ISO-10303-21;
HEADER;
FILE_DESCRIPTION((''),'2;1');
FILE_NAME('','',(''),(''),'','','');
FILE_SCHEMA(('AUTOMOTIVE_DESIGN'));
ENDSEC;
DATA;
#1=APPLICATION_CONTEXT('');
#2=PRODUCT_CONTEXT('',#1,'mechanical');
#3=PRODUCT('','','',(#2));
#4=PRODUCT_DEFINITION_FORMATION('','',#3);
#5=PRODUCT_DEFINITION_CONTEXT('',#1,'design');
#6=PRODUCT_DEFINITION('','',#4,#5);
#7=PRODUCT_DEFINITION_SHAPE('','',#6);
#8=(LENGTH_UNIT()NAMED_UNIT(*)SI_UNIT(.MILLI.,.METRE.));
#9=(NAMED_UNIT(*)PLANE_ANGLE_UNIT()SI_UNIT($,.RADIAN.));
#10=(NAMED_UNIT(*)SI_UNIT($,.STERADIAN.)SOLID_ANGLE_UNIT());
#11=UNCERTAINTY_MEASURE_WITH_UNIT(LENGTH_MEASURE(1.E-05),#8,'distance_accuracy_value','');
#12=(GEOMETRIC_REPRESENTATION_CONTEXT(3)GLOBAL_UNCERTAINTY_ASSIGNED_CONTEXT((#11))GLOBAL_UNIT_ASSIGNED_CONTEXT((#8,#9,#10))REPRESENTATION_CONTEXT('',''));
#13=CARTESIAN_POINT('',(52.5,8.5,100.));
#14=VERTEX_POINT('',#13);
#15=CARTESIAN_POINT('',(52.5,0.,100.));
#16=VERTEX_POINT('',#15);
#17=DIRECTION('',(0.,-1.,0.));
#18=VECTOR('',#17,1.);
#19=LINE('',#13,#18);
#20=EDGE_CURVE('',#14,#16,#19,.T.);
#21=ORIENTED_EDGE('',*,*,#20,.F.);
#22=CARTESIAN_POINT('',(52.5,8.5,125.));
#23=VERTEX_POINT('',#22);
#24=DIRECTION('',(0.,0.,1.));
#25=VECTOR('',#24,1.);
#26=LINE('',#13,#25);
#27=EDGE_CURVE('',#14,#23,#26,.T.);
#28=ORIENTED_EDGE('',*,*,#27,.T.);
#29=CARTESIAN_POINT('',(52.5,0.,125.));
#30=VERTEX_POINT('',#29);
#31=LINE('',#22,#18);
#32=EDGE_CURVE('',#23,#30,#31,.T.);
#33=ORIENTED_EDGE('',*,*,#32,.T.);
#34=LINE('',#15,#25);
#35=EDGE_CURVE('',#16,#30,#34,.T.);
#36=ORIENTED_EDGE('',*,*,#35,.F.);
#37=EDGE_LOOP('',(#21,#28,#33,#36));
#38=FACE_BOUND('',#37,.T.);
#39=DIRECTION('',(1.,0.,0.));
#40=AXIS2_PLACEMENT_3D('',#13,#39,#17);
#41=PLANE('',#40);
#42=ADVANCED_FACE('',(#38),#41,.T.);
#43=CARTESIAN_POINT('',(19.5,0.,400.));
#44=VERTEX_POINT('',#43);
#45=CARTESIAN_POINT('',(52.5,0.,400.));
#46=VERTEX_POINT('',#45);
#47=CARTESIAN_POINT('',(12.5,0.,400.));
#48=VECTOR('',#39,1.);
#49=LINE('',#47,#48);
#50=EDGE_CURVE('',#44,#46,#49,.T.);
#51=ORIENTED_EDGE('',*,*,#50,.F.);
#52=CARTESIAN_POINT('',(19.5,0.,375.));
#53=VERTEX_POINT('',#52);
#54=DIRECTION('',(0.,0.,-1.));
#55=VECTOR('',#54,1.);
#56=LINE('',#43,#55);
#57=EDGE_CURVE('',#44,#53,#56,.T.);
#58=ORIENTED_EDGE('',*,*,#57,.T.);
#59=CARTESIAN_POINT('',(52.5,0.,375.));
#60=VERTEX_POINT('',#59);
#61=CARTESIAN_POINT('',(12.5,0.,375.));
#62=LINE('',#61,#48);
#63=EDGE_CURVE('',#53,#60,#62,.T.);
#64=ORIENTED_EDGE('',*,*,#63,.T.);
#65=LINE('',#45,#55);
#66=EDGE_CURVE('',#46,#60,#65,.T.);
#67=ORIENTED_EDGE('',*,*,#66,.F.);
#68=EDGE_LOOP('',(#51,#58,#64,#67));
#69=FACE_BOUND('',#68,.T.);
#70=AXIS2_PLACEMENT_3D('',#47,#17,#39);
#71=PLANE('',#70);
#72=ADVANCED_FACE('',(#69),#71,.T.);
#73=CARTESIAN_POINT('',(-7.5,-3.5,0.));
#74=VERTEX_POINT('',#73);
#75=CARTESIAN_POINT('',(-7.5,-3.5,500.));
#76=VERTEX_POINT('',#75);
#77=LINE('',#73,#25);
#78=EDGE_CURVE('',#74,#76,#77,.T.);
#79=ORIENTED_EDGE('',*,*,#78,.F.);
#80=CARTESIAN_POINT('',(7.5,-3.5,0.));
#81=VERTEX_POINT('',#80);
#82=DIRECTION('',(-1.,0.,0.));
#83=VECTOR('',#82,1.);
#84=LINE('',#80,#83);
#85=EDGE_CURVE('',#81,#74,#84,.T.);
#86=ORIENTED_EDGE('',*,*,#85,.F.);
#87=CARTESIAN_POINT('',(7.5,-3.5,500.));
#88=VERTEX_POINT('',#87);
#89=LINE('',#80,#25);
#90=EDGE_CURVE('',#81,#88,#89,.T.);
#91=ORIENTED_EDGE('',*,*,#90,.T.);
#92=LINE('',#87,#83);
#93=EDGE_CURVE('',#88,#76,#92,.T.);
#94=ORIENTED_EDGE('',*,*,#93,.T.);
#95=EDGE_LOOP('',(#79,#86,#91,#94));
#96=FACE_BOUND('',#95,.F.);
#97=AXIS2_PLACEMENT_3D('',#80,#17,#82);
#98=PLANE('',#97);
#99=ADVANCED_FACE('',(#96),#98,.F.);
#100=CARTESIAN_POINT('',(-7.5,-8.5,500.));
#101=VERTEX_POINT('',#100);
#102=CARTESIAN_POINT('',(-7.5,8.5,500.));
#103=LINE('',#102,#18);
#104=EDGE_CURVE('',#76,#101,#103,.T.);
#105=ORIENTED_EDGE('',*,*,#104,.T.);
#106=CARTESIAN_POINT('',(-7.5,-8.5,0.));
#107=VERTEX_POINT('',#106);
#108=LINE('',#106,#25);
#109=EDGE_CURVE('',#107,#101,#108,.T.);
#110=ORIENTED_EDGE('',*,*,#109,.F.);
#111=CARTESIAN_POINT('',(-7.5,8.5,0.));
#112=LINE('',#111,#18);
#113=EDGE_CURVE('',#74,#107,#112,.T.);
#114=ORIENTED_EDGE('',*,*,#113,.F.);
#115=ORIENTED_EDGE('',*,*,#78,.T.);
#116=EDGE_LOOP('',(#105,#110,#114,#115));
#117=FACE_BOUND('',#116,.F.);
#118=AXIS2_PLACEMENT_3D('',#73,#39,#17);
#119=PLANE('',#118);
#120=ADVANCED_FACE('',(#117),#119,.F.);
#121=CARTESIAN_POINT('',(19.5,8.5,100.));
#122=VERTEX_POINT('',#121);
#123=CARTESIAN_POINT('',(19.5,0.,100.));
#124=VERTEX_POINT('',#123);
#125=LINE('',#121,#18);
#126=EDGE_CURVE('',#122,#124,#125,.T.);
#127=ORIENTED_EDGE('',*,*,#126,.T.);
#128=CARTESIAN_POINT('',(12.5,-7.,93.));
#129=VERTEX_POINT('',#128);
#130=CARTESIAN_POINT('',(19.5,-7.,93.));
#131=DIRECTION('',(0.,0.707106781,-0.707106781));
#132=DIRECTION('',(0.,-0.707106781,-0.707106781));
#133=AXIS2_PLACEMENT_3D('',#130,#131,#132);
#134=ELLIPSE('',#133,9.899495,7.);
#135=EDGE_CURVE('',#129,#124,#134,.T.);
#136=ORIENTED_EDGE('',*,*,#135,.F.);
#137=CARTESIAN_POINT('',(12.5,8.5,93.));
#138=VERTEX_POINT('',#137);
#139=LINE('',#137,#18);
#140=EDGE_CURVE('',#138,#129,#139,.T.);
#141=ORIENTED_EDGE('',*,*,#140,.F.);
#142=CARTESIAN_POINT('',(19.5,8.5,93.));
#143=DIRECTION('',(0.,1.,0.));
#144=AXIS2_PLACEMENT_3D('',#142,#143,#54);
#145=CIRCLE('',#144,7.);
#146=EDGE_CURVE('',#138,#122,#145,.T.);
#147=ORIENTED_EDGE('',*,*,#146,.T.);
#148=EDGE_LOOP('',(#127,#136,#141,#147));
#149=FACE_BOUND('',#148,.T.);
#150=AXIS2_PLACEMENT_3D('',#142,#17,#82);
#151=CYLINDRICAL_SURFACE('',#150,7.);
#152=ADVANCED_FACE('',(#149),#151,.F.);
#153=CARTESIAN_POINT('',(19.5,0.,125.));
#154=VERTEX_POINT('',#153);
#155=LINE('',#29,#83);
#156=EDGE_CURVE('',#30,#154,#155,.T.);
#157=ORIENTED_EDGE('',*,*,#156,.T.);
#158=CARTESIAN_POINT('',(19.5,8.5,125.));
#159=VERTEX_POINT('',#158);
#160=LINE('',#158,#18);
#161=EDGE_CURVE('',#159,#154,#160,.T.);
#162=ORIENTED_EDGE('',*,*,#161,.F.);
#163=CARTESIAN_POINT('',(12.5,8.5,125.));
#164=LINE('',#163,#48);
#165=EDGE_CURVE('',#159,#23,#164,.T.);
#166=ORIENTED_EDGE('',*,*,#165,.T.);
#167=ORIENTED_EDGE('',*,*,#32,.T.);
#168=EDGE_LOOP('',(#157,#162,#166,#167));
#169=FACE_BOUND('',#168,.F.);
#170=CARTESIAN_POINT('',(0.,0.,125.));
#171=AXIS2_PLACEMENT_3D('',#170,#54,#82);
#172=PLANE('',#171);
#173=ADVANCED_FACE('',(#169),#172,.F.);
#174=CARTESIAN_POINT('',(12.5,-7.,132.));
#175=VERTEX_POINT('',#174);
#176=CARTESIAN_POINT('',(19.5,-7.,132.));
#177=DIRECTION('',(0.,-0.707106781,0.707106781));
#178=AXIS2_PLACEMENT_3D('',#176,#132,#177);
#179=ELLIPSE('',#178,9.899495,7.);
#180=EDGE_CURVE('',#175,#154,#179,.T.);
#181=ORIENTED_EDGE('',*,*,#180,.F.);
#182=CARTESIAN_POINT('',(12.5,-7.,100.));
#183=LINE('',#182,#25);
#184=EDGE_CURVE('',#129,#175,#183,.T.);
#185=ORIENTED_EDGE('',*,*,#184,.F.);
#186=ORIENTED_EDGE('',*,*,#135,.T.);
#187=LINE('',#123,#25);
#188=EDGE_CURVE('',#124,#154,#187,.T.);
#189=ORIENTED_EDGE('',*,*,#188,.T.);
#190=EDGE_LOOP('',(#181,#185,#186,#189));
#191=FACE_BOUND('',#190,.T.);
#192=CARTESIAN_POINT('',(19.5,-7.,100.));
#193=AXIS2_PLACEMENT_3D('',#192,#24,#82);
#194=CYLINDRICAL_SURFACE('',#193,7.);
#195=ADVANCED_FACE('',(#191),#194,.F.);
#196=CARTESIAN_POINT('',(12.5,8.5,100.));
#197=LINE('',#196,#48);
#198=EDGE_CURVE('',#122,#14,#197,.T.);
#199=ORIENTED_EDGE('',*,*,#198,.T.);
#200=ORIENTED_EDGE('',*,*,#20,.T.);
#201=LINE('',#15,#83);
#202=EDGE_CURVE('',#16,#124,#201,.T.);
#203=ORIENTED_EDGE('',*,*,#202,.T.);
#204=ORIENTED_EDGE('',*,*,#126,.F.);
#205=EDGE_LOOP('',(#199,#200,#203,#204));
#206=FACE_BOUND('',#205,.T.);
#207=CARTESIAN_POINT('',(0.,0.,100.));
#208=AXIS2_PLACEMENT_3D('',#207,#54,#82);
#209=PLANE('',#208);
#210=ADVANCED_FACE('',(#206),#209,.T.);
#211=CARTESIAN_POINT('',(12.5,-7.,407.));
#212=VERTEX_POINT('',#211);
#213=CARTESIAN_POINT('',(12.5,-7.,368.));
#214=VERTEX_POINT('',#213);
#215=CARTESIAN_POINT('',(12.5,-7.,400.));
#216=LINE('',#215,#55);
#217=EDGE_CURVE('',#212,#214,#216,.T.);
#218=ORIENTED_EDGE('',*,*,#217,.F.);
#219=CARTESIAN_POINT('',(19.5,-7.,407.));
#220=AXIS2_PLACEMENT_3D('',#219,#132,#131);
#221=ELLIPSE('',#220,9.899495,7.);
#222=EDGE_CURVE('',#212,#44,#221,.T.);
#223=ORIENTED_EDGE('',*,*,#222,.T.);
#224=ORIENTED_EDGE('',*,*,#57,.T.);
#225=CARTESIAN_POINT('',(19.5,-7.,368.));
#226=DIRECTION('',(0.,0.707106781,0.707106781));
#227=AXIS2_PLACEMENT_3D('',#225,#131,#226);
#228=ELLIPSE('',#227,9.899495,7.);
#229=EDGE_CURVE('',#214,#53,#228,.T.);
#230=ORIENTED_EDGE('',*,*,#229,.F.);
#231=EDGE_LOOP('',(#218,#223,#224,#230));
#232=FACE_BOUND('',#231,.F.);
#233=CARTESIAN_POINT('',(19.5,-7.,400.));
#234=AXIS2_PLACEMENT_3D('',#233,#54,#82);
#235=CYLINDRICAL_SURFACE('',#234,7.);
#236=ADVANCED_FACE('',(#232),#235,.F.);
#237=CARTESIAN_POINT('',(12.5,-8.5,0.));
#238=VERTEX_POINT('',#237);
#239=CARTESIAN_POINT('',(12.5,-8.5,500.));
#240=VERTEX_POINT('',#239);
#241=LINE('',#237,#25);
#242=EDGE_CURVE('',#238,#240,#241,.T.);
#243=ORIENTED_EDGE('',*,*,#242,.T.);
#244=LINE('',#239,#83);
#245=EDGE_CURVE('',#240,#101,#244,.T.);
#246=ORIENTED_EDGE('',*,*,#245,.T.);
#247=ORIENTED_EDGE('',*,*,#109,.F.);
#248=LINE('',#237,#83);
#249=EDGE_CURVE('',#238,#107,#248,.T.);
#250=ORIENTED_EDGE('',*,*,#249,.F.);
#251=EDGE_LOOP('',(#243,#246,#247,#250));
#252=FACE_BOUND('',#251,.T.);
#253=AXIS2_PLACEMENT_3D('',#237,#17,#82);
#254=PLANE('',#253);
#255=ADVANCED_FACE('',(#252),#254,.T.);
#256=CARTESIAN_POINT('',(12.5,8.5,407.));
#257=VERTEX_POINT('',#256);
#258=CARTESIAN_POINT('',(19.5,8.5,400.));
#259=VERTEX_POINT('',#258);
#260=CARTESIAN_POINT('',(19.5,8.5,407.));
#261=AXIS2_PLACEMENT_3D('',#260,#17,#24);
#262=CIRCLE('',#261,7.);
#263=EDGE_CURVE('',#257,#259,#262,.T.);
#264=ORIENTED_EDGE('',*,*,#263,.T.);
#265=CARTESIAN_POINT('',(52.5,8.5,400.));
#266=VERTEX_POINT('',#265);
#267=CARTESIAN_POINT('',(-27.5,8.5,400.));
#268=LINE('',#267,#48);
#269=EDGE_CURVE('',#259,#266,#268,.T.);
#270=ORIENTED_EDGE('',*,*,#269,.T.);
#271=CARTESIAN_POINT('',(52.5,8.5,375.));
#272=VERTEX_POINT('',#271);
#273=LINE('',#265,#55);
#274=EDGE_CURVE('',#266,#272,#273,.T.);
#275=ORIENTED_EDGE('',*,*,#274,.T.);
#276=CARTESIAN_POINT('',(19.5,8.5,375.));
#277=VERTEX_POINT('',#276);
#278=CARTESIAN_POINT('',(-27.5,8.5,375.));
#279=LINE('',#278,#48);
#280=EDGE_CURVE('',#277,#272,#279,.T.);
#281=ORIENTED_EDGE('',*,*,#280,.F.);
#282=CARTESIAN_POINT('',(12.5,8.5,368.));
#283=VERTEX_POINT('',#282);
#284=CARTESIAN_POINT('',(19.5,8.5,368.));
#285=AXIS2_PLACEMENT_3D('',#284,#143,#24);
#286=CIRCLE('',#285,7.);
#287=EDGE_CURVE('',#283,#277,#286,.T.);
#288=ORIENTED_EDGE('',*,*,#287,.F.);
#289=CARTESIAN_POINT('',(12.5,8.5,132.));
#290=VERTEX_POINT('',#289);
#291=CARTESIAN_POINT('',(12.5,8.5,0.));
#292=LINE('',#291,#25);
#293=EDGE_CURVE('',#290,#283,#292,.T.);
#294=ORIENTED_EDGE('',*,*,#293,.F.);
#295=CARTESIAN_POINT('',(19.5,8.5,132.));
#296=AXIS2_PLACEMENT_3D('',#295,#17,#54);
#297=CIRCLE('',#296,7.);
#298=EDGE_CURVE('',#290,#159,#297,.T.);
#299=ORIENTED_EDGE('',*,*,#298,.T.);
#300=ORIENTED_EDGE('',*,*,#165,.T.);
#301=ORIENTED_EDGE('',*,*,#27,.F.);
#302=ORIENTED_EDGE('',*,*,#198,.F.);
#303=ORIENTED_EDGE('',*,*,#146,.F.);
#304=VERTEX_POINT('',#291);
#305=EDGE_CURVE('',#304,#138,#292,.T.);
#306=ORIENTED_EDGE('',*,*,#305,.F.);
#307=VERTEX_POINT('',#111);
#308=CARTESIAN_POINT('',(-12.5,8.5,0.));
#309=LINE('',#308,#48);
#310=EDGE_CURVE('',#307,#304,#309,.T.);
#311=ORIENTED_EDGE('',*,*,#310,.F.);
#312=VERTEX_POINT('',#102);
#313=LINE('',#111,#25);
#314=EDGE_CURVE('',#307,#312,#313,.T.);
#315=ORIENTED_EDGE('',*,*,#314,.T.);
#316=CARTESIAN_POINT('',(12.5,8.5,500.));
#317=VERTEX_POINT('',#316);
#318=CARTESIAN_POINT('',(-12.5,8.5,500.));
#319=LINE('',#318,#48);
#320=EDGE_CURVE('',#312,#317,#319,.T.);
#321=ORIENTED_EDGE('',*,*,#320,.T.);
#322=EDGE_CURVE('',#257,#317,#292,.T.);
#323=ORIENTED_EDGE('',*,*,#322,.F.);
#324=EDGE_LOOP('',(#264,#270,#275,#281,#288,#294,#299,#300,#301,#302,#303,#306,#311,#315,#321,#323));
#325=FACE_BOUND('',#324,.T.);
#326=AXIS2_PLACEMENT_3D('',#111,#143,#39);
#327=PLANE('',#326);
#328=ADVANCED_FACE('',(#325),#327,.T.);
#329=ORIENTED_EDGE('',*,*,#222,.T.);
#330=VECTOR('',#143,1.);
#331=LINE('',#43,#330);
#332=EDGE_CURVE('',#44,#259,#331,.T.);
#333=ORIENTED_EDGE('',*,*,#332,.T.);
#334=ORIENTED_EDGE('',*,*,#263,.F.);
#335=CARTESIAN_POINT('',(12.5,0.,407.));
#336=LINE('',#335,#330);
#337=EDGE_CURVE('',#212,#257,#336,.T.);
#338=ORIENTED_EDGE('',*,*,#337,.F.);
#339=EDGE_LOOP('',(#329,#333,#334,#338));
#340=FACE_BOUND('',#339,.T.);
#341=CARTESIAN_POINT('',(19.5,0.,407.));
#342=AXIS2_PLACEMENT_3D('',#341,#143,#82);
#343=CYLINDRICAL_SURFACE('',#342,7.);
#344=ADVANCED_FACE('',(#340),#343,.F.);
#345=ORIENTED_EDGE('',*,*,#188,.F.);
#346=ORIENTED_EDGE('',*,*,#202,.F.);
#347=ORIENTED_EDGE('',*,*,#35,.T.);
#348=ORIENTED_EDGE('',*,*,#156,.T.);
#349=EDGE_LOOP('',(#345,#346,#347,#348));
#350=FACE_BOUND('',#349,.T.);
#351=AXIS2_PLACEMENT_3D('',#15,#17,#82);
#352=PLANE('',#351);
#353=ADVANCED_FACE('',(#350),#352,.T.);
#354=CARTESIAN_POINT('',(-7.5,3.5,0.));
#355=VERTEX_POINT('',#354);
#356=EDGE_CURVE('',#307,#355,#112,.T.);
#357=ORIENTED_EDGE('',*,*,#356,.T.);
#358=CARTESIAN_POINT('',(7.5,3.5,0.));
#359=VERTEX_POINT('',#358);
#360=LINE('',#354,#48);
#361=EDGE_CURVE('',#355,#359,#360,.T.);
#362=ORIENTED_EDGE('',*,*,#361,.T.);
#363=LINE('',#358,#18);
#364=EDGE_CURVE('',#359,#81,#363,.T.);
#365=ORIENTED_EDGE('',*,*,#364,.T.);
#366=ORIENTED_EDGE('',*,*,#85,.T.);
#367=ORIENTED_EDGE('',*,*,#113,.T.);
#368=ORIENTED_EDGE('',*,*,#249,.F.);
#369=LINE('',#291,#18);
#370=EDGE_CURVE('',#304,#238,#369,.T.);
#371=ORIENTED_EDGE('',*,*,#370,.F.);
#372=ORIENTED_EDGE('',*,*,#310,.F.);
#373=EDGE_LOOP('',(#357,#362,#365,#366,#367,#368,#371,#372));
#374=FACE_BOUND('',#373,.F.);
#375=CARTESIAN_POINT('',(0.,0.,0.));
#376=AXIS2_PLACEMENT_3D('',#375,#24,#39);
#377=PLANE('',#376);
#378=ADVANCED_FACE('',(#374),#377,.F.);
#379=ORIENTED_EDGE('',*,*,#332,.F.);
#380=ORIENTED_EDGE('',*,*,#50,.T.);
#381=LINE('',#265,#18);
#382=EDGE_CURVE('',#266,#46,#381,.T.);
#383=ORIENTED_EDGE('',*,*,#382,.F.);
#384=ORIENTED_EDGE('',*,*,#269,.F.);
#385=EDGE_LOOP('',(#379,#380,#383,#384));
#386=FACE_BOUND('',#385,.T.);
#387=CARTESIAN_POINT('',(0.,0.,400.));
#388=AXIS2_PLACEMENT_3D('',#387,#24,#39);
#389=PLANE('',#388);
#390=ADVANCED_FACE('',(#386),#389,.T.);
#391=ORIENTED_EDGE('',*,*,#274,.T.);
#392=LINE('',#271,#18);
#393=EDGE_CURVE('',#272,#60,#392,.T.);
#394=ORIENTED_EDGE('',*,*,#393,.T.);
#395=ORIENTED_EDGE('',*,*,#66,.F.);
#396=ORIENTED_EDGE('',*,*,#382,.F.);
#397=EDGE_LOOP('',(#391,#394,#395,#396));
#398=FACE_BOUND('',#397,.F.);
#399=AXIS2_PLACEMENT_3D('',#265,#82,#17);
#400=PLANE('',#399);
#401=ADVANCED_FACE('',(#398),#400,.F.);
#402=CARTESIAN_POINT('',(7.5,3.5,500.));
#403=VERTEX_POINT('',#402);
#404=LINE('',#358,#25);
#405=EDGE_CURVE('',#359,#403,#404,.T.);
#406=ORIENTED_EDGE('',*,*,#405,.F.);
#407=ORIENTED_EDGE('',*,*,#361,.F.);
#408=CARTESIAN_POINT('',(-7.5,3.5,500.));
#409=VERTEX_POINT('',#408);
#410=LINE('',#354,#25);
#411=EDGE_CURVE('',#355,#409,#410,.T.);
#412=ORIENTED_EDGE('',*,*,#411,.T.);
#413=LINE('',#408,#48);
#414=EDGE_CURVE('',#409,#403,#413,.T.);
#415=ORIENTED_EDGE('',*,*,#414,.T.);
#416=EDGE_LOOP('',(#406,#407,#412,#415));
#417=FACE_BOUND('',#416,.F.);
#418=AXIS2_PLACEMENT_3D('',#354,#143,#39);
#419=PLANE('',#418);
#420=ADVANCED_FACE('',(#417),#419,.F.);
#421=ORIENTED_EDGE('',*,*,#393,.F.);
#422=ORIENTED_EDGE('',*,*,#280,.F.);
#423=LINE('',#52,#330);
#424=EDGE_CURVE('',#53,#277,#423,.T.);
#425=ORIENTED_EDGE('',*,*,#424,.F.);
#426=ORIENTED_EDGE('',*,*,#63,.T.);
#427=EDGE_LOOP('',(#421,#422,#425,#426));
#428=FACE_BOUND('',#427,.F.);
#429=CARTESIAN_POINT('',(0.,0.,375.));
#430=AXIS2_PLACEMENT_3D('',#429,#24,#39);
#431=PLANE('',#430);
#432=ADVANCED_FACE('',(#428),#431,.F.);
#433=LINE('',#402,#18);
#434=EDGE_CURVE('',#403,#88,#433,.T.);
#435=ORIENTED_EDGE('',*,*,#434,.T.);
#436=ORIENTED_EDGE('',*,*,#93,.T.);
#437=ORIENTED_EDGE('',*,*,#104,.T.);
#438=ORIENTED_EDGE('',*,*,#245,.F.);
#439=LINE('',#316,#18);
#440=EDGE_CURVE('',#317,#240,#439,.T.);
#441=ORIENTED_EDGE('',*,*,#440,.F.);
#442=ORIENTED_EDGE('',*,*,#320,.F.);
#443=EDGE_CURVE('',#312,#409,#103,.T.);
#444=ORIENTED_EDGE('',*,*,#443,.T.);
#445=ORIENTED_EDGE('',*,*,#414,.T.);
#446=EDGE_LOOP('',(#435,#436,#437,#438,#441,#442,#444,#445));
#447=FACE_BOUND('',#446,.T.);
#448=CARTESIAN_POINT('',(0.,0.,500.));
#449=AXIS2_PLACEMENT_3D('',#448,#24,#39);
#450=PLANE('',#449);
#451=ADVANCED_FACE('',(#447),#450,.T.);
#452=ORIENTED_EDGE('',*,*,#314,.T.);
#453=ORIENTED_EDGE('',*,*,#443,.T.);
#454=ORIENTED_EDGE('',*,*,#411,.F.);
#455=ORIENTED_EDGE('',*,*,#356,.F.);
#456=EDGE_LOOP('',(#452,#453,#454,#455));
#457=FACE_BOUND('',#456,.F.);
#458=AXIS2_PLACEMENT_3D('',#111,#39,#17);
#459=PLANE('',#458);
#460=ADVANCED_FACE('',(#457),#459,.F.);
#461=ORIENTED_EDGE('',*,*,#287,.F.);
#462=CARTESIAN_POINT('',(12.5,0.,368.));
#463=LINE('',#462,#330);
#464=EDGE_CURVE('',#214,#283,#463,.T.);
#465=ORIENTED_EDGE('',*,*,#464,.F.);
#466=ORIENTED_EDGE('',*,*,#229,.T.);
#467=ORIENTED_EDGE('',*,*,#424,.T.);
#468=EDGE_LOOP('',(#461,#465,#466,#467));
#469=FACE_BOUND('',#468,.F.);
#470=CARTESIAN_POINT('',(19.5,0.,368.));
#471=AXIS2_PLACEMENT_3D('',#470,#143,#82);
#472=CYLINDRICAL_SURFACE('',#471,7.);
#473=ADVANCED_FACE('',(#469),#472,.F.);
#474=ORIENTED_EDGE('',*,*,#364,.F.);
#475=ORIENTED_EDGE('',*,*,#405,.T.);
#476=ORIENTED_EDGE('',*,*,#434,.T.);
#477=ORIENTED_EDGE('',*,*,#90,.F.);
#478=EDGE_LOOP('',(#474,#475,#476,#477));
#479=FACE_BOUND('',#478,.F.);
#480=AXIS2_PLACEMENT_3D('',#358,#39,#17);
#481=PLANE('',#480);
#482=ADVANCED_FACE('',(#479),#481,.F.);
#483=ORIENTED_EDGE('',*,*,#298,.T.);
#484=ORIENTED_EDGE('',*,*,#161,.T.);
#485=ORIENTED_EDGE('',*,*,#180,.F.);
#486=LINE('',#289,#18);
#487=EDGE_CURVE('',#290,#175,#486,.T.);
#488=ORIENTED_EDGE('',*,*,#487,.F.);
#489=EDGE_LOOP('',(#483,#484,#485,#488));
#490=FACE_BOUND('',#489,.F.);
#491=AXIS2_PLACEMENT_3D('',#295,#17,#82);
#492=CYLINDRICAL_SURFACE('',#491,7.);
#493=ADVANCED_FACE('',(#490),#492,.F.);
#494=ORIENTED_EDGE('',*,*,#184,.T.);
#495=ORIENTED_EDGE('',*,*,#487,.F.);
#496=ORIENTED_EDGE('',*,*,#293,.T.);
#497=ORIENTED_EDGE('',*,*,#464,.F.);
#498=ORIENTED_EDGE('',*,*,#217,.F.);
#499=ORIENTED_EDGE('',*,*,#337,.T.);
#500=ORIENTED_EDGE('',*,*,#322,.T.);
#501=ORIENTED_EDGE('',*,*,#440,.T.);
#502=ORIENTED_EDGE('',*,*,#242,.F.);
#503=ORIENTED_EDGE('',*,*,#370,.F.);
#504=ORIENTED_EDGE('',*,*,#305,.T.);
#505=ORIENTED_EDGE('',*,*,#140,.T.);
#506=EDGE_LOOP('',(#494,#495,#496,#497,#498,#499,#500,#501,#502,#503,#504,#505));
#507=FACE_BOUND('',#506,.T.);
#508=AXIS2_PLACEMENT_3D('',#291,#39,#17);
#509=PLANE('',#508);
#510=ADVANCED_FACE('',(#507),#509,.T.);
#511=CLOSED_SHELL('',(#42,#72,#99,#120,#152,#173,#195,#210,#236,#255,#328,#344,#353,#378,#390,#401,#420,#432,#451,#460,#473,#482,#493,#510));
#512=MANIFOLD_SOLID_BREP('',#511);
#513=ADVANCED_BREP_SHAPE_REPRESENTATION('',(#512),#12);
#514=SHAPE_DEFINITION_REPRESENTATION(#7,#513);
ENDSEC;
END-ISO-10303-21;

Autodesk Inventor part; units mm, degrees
ref_plane "YZ Plane" through (0, 0, 0) normal (1, 0, 0) x (0, 1, 0)
sketch "Sketch1" plane through (0, 0, 0) normal (0, 0, 1) x (1, 0, 0)
  line L0 (-7.5, 3.5) -> (7.5, 3.5)
  line L1 (7.5, 3.5) -> (7.5, -3.5)
  line L2 (7.5, -3.5) -> (-7.5, -3.5)
  line L3 (-7.5, -3.5) -> (-7.5, 3.5)
  line L4 (-7.5, 3.5) -> (7.5, -3.5) construction
  line L5 (7.5, 3.5) -> (-7.5, -3.5) construction
  line L6 (-12.5, 8.5) -> (12.5, 8.5)
  line L7 (12.5, 8.5) -> (12.5, -8.5)
  line L8 (12.5, -8.5) -> (-12.5, -8.5)
  line L9 (-12.5, -8.5) -> (-12.5, 8.5)
  line L10 (-12.5, 8.5) -> (12.5, -8.5) construction
  line L11 (12.5, 8.5) -> (-12.5, -8.5) construction
  line L12 (-7.5, 8.5) -> (-7.5, -8.5)
  point P0 (0, 0)
  dimension "d0" = 15
  dimension "d1" = 7
  dimension "d2" = 25
  dimension "d3" = 17
extrude "Extrusion1" add sketch "Sketch1" along normal blind 500 contours L12 L6 L7 L8 L2 L1 L0
ref_plane "Work Plane1" through (0, 0, 400) normal (0, 0, 1) x (1, 0, 0)
sketch "Sketch2" plane through (0, 0, 400) normal (0, 0, 1) x (1, 0, 0)
  line L0 (-27.5, 8.5) -> (52.5, 8.5)
  line L1 (52.5, 8.5) -> (52.5, -8.5)
  line L2 (52.5, -8.5) -> (-27.5, -8.5)
  line L3 (-27.5, -8.5) -> (-27.5, 8.5)
  line L4 (12.5, -8.5) -> (12.5, 8.5) projected
  line L5 (-27.5, 8.5) -> (52.5, -8.5) construction
  line L6 (52.5, 8.5) -> (-27.5, -8.5) construction
  line L7 (12.5, 0) -> (52.5, 0)
  line L8 (52.5, 0) -> (52.5, 8.5)
  line L9 (52.5, 8.5) -> (12.5, 8.5)
  line L10 (12.5, 8.5) -> (12.5, 0)
  point P0 (0, 0)
  point P1 (12.5, -6.5)
  point P2 (12.5, 6.5)
  point P3 (12.5, 6.5)
  dimension "d8" = 80
  dimension "d9" = 17
extrude "Extrusion2" add sketch "Sketch2" against normal blind 25 contours L0 L1 L7 L4
ref_plane "Work Plane2" through (0, 0, 100) normal (0, 0, -1) x (-1, 0, 0)
sketch "Sketch3" plane through (0, 0, 100) normal (0, 0, -1) x (-1, 0, 0)
  line L0 (-12.5, 8.5) -> (-12.5, 0) projected
  line L1 (-12.5, 8.5) -> (-52.5, 8.5) projected
  line L2 (-52.5, 8.5) -> (-52.5, 0) projected
  line L3 (-52.5, 0) -> (-12.5, 0) projected
  point P0 (0, 0)
extrude "Extrusion3" add sketch "Sketch3" against normal blind 25
fillet "Fillet2" radius 7 6 edges at (12.5, 4.25, 100) (12.5, 0, 112.5) (12.5, 4.25, 125) (12.5, 4.25, 375) (12.5, 0, 387.5) (12.5, 4.25, 400)
properties part number "GUIA DE TAPA PRINCIPAL"
